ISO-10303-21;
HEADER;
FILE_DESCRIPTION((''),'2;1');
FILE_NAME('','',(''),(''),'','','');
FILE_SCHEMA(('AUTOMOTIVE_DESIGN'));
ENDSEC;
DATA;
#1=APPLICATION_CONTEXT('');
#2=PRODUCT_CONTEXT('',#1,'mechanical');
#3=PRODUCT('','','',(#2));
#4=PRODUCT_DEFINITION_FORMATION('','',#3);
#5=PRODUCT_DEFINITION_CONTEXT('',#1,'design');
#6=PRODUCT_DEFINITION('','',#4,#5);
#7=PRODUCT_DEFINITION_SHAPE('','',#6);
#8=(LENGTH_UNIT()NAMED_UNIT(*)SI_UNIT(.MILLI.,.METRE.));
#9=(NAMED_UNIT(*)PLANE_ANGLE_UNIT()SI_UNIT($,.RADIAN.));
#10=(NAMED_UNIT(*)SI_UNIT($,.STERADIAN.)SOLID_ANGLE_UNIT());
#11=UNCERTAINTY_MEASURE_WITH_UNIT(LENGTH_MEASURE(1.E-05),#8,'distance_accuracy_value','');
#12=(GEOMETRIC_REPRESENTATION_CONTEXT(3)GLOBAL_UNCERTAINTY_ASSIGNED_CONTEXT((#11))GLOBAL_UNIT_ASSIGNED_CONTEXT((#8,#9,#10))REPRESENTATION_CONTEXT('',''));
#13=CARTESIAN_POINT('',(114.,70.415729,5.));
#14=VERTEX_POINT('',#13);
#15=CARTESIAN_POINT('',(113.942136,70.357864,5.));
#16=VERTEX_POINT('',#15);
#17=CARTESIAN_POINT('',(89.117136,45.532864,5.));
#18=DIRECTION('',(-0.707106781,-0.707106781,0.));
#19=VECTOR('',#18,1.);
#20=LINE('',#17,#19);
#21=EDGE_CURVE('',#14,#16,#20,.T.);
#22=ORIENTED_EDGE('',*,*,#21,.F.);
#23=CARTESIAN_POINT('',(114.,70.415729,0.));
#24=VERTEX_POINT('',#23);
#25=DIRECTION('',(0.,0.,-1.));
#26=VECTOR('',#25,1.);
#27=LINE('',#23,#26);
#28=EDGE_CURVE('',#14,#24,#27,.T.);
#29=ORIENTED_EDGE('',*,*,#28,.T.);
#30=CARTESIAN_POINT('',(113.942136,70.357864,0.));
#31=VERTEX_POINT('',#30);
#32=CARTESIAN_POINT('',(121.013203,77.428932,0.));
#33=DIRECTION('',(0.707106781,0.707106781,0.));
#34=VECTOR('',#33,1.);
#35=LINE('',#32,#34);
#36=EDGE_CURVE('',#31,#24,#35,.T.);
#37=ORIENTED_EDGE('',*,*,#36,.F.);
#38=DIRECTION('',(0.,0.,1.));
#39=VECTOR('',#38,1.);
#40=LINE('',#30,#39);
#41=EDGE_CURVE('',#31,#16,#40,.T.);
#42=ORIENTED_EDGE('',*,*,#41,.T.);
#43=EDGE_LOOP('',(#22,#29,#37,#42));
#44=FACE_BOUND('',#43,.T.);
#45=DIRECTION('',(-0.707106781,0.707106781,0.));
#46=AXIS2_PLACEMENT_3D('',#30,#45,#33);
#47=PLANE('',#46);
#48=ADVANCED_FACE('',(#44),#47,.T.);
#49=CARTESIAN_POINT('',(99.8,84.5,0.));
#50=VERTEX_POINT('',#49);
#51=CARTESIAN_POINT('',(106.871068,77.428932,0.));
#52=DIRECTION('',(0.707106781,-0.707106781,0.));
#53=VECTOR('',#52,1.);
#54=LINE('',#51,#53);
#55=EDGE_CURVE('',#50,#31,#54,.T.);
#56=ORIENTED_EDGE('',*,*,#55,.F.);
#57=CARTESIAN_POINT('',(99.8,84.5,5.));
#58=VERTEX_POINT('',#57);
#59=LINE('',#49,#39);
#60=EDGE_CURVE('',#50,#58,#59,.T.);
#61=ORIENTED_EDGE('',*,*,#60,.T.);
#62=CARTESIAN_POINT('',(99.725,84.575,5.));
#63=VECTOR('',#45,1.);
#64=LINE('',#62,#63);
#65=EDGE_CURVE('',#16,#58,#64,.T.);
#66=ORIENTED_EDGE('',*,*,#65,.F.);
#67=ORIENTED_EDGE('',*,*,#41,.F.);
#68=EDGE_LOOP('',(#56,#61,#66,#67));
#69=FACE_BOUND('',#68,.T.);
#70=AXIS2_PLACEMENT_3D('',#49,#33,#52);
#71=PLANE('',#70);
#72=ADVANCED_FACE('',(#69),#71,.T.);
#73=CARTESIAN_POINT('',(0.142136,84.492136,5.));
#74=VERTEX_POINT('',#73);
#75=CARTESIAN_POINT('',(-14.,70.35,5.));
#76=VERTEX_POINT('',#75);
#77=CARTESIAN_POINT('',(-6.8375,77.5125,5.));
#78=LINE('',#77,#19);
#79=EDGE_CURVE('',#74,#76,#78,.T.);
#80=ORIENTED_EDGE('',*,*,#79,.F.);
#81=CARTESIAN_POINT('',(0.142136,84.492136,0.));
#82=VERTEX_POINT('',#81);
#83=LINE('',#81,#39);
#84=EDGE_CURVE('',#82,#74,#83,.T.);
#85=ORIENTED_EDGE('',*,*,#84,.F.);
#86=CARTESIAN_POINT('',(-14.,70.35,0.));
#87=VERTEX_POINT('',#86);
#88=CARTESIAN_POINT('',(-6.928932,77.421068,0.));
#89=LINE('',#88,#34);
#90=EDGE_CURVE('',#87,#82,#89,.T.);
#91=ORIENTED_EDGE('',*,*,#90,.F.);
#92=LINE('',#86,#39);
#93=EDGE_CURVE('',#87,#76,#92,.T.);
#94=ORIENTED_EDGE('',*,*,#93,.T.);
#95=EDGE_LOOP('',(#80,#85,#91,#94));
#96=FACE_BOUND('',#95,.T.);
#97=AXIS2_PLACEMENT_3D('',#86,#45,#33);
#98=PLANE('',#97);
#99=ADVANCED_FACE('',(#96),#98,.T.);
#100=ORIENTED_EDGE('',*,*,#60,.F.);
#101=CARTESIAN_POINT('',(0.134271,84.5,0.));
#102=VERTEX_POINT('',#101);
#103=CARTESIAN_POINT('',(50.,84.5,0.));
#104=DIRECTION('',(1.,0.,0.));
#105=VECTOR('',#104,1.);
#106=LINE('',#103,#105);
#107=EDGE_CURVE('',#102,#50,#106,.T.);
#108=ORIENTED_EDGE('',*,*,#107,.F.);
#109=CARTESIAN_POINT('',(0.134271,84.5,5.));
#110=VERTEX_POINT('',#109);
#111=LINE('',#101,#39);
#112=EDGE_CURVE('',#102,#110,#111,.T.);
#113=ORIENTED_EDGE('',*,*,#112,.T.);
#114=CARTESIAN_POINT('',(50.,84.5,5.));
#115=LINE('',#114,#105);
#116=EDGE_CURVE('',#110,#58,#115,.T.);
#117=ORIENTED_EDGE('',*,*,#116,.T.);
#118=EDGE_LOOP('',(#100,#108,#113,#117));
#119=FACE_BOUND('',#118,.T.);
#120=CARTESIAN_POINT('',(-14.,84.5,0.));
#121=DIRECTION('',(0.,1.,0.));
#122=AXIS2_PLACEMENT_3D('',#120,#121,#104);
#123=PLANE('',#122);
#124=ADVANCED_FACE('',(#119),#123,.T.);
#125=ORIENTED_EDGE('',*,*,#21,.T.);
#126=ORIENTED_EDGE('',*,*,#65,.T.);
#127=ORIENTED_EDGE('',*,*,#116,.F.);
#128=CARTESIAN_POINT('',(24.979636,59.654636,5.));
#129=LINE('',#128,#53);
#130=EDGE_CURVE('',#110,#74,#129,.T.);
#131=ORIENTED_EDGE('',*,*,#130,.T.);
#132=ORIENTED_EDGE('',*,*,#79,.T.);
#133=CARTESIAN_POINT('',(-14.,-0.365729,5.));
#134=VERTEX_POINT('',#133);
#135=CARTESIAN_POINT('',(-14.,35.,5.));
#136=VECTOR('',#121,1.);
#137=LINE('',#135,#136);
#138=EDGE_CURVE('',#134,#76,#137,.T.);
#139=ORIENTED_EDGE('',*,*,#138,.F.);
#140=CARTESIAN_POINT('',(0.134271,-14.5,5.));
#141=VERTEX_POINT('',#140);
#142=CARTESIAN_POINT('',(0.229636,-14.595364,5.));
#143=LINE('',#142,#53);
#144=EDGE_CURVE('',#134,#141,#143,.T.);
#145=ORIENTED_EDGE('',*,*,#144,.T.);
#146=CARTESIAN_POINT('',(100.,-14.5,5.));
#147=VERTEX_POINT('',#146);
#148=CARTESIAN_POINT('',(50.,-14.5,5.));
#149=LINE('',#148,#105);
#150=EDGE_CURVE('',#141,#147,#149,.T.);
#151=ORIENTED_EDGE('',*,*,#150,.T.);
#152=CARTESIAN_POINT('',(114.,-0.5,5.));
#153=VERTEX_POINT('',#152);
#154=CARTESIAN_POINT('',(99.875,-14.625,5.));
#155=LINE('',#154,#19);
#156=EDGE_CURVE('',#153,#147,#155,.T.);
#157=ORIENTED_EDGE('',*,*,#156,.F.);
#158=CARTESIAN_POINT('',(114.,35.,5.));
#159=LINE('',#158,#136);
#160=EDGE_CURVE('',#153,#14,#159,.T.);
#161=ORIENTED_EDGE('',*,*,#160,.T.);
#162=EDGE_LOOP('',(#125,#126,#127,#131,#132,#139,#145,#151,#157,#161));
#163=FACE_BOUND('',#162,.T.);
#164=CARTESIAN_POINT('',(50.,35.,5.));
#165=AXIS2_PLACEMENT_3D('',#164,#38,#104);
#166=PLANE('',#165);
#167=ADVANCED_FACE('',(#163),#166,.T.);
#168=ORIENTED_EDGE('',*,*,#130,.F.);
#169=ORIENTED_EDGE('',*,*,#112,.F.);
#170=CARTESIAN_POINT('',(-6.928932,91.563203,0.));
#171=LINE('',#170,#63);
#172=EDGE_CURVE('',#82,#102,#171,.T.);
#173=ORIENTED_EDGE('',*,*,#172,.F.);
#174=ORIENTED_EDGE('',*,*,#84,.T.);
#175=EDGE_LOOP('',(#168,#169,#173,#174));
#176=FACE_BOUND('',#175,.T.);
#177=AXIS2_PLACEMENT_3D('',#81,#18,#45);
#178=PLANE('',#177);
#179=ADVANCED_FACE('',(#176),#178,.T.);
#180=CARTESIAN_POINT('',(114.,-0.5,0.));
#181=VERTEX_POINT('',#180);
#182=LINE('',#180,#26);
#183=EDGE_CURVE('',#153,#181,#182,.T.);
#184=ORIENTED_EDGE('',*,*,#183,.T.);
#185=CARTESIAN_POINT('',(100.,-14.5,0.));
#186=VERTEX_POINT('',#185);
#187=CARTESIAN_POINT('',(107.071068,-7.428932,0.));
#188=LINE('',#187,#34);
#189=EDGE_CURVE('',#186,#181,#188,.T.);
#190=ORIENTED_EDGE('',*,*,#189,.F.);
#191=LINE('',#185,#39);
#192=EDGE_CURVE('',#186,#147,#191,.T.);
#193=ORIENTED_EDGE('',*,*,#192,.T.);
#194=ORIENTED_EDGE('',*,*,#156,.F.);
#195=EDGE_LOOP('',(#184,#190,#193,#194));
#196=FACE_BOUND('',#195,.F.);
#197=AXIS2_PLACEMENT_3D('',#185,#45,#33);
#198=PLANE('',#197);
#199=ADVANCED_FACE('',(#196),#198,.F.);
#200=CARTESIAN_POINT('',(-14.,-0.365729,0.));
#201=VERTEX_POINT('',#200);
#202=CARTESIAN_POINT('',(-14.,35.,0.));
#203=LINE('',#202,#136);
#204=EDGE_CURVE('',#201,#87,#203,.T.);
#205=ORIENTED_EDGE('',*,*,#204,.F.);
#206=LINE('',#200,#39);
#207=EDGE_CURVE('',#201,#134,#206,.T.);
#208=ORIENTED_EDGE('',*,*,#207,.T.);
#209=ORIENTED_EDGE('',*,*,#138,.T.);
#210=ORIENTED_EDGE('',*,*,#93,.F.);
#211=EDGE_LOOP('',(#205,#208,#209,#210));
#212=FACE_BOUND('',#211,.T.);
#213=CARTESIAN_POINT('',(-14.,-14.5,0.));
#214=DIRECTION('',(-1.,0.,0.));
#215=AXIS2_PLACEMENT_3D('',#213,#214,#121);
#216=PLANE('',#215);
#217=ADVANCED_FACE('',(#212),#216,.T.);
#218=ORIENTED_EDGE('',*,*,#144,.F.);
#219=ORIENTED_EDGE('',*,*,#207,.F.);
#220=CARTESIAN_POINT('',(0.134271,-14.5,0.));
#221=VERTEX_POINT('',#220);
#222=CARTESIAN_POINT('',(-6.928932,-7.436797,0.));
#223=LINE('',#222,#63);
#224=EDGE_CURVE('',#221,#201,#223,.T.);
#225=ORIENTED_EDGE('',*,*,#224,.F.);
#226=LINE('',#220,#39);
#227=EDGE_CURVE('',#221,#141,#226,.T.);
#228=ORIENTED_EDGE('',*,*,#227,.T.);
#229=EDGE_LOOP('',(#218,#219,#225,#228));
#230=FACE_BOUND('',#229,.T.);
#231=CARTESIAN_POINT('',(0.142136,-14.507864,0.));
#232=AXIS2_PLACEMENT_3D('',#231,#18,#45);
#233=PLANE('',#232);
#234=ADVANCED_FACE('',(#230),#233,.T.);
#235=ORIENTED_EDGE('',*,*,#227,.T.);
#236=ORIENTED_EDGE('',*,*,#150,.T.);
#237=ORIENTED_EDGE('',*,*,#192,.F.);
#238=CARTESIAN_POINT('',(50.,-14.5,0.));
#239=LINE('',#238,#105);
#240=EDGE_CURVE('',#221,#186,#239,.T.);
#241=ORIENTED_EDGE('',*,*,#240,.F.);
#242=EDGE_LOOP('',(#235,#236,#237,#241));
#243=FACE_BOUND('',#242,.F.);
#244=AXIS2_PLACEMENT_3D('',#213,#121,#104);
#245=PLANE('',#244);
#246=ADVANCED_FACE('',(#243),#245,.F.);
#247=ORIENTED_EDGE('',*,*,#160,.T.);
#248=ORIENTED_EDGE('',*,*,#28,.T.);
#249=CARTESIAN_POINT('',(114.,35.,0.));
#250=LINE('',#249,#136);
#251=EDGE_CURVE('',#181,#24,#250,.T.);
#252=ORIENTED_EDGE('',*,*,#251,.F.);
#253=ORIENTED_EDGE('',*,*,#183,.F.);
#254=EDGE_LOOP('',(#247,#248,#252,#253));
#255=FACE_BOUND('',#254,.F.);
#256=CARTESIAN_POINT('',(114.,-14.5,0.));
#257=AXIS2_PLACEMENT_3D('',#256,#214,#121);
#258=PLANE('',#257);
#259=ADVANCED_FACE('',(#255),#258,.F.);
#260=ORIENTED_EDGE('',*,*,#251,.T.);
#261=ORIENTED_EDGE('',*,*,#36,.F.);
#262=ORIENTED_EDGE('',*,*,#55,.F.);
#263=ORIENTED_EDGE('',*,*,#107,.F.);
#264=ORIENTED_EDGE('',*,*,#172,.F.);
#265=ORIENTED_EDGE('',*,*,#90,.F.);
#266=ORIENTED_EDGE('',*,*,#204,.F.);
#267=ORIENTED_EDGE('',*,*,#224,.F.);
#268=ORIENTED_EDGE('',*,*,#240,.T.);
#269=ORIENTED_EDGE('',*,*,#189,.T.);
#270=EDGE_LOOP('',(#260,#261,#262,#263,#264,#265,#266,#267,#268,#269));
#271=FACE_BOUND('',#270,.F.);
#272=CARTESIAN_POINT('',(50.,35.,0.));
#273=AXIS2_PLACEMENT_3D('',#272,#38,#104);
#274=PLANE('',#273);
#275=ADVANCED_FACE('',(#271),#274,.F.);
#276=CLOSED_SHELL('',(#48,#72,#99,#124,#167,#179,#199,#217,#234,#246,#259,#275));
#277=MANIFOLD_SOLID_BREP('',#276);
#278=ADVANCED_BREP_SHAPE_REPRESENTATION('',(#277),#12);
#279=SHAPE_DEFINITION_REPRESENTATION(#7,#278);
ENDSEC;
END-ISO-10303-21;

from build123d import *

# Parameters (mm, degrees)
BOX003_W               = 20
BOX003_H               = 20
BOX003_DEPTH           = 20
BOX003_PLACEMENT_ANGLE = 45
BOX004_W               = 20
BOX004_H               = 20
BOX004_DEPTH           = 20
BOX004_PLACEMENT_ANGLE = 45
BOX002_W               = 20
BOX002_H               = 20
BOX002_DEPTH           = 20
BOX002_PLACEMENT_ANGLE = -45
BOX_W                  = 20
BOX_H                  = 20
BOX_DEPTH              = 20
BOX_PLACEMENT_ANGLE    = -45
BOX001_W               = 128
BOX001_H               = 99
BOX001_DEPTH           = 5


with BuildPart() as cubo004:
    # Box003 → Box003 (new body)
    with BuildSketch(Plane.XY):
        with Locations((10, 10)):
            Rectangle(BOX003_W, BOX003_H)
    extrude(amount=BOX003_DEPTH)


with BuildPart() as cubo004_1:
    # Box003 placement: moved
    add(cubo004.part.moved(Location((-14, -28.65, 0))).rotate(Axis((-14, -28.65, 0), (0, 0, 1)), BOX003_PLACEMENT_ANGLE))


with BuildPart() as cubo005:
    # Box004 → Box004 (new body)
    with BuildSketch(Plane.XY):
        with Locations((10, 10)):
            Rectangle(BOX004_W, BOX004_H)
    extrude(amount=BOX004_DEPTH)


with BuildPart() as cubo005_1:
    # Box004 placement: moved
    add(cubo005.part.moved(Location((-14, 70.35, 0))).rotate(Axis((-14, 70.35, 0), (0, 0, 1)), BOX004_PLACEMENT_ANGLE))


with BuildPart() as cubo002:
    # Box002 → Box002 (new body)
    with BuildSketch(Plane.XY):
        with Locations((10, 10)):
            Rectangle(BOX002_W, BOX002_H)
    extrude(amount=BOX002_DEPTH)


with BuildPart() as cubo002_1:
    # Box002 placement: moved
    add(cubo002.part.moved(Location((100, -14.5, 0))).rotate(Axis((100, -14.5, 0), (0, 0, 1)), BOX002_PLACEMENT_ANGLE))


with BuildPart() as fusion:
    # Box → Box (new body)
    with BuildSketch(Plane.XY):
        with Locations((10, 10)):
            Rectangle(BOX_W, BOX_H)
    extrude(amount=BOX_DEPTH)


with BuildPart() as fusion_1:
    # Box placement: moved
    add(fusion.part.moved(Location((99.8, 84.5, 0))).rotate(Axis((99.8, 84.5, 0), (0, 0, 1)), BOX_PLACEMENT_ANGLE))

    # Fusion: union Cubo004, Cubo005, Cubo002
    add(cubo004_1.part)
    add(cubo005_1.part)
    add(cubo002_1.part)


with BuildPart() as cut:
    # Box001 → Box001 (new body)
    with BuildSketch(Plane(origin=(-14, -14.5, 0), x_dir=(1, 0, 0), z_dir=(0, 0, 1))):
        with Locations((64, 49.5)):
            Rectangle(BOX001_W, BOX001_H)
    extrude(amount=BOX001_DEPTH)

    # Cut: cut Fusion
    add(fusion_1.part, mode=Mode.SUBTRACT)


solid = cut.part
